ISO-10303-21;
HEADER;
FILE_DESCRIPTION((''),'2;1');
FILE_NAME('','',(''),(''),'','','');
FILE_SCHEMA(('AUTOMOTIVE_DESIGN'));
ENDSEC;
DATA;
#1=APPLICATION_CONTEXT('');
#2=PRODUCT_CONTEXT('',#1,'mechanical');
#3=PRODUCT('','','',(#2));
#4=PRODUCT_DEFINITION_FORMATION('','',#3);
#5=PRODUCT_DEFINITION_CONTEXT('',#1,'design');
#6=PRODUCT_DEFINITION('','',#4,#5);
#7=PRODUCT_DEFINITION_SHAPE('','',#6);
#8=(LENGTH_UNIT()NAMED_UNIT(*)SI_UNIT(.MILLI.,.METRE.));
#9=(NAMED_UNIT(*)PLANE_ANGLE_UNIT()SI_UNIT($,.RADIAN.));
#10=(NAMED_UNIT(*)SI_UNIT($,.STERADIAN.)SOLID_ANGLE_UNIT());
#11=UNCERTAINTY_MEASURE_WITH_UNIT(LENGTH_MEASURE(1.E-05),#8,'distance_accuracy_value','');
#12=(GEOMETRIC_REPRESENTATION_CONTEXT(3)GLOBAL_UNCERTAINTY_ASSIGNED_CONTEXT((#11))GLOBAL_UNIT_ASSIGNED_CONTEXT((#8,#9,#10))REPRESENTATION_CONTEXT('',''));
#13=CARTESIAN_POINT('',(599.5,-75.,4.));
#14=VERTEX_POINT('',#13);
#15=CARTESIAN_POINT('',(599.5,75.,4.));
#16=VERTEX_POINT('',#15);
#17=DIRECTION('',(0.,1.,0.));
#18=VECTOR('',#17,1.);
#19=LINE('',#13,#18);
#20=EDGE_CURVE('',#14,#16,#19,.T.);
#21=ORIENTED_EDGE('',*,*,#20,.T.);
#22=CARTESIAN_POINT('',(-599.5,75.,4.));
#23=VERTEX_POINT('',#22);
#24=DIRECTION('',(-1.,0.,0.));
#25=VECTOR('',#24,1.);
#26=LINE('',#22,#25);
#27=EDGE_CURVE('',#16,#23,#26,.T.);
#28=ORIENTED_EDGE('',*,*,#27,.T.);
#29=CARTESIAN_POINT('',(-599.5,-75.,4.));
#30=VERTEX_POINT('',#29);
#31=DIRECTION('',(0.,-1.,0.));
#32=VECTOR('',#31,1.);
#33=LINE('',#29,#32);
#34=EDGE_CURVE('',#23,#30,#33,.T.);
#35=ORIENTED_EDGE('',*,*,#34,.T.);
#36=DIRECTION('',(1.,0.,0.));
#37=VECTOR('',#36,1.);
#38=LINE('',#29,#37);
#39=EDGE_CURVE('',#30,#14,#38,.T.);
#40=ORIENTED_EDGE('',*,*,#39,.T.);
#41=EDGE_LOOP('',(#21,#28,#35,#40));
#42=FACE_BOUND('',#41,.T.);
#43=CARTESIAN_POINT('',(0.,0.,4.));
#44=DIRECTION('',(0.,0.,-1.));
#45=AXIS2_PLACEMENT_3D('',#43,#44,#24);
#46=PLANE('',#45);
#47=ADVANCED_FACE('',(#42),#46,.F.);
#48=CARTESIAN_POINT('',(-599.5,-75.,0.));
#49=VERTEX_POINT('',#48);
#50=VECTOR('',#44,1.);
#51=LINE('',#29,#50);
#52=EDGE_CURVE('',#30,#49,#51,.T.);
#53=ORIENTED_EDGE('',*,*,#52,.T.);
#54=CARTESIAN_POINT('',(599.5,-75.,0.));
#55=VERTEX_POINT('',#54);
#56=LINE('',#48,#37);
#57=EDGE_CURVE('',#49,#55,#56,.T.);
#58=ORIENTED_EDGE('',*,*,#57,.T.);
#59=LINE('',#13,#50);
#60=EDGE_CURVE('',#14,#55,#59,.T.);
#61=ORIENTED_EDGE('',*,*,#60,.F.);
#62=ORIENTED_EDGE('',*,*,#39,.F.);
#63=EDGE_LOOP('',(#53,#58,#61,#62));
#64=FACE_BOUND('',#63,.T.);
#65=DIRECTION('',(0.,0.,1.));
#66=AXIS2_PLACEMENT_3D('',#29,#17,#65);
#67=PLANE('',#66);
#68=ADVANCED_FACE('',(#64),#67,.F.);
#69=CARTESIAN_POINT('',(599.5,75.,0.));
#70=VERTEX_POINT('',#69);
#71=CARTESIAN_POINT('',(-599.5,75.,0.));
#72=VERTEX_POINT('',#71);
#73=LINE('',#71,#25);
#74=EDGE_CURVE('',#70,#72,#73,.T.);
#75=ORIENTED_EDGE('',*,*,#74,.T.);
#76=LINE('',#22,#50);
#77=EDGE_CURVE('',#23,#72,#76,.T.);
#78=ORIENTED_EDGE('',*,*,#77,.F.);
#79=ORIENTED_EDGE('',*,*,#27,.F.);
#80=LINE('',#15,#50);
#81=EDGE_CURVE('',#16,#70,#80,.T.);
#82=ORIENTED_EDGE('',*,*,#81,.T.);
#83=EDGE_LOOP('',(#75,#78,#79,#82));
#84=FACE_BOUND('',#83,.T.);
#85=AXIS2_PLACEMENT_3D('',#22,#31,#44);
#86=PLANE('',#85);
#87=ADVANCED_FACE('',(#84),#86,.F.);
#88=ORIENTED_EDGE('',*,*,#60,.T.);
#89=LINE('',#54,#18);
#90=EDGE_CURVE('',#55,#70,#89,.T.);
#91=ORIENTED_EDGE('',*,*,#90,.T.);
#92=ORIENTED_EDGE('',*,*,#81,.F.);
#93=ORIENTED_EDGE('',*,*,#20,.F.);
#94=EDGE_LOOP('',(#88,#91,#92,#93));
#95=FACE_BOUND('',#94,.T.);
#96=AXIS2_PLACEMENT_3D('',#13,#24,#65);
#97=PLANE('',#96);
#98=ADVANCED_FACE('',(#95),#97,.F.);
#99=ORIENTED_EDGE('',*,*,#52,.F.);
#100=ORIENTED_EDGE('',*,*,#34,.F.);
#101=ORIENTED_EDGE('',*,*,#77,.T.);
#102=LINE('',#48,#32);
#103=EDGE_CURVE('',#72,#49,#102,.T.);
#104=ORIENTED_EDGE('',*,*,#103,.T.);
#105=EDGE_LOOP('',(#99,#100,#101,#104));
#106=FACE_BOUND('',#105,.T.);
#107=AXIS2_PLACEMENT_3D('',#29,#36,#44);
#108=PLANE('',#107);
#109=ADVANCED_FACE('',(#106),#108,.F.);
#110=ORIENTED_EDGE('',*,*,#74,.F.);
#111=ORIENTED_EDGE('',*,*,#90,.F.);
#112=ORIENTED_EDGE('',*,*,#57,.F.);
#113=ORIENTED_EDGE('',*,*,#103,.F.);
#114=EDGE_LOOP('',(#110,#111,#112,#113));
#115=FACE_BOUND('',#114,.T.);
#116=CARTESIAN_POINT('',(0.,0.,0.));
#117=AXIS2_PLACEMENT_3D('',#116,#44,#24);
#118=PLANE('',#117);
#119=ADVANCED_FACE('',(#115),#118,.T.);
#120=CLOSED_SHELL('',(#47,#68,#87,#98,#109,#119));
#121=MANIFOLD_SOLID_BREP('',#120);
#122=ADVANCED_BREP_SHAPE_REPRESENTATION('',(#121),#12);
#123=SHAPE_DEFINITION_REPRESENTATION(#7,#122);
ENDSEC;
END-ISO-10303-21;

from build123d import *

# Parameters (mm, degrees)
ESBO_O1_W                = 1199
ESBO_O1_H                = 150
RESSALTO_EXTRUS_O1_DEPTH = 4


with BuildPart() as part:
    # Esboço1 → Ressalto-extrusão1 (new body)
    with BuildSketch(Plane.XY):
        Rectangle(ESBO_O1_W, ESBO_O1_H)
    extrude(amount=RESSALTO_EXTRUS_O1_DEPTH)


solid = part.part
